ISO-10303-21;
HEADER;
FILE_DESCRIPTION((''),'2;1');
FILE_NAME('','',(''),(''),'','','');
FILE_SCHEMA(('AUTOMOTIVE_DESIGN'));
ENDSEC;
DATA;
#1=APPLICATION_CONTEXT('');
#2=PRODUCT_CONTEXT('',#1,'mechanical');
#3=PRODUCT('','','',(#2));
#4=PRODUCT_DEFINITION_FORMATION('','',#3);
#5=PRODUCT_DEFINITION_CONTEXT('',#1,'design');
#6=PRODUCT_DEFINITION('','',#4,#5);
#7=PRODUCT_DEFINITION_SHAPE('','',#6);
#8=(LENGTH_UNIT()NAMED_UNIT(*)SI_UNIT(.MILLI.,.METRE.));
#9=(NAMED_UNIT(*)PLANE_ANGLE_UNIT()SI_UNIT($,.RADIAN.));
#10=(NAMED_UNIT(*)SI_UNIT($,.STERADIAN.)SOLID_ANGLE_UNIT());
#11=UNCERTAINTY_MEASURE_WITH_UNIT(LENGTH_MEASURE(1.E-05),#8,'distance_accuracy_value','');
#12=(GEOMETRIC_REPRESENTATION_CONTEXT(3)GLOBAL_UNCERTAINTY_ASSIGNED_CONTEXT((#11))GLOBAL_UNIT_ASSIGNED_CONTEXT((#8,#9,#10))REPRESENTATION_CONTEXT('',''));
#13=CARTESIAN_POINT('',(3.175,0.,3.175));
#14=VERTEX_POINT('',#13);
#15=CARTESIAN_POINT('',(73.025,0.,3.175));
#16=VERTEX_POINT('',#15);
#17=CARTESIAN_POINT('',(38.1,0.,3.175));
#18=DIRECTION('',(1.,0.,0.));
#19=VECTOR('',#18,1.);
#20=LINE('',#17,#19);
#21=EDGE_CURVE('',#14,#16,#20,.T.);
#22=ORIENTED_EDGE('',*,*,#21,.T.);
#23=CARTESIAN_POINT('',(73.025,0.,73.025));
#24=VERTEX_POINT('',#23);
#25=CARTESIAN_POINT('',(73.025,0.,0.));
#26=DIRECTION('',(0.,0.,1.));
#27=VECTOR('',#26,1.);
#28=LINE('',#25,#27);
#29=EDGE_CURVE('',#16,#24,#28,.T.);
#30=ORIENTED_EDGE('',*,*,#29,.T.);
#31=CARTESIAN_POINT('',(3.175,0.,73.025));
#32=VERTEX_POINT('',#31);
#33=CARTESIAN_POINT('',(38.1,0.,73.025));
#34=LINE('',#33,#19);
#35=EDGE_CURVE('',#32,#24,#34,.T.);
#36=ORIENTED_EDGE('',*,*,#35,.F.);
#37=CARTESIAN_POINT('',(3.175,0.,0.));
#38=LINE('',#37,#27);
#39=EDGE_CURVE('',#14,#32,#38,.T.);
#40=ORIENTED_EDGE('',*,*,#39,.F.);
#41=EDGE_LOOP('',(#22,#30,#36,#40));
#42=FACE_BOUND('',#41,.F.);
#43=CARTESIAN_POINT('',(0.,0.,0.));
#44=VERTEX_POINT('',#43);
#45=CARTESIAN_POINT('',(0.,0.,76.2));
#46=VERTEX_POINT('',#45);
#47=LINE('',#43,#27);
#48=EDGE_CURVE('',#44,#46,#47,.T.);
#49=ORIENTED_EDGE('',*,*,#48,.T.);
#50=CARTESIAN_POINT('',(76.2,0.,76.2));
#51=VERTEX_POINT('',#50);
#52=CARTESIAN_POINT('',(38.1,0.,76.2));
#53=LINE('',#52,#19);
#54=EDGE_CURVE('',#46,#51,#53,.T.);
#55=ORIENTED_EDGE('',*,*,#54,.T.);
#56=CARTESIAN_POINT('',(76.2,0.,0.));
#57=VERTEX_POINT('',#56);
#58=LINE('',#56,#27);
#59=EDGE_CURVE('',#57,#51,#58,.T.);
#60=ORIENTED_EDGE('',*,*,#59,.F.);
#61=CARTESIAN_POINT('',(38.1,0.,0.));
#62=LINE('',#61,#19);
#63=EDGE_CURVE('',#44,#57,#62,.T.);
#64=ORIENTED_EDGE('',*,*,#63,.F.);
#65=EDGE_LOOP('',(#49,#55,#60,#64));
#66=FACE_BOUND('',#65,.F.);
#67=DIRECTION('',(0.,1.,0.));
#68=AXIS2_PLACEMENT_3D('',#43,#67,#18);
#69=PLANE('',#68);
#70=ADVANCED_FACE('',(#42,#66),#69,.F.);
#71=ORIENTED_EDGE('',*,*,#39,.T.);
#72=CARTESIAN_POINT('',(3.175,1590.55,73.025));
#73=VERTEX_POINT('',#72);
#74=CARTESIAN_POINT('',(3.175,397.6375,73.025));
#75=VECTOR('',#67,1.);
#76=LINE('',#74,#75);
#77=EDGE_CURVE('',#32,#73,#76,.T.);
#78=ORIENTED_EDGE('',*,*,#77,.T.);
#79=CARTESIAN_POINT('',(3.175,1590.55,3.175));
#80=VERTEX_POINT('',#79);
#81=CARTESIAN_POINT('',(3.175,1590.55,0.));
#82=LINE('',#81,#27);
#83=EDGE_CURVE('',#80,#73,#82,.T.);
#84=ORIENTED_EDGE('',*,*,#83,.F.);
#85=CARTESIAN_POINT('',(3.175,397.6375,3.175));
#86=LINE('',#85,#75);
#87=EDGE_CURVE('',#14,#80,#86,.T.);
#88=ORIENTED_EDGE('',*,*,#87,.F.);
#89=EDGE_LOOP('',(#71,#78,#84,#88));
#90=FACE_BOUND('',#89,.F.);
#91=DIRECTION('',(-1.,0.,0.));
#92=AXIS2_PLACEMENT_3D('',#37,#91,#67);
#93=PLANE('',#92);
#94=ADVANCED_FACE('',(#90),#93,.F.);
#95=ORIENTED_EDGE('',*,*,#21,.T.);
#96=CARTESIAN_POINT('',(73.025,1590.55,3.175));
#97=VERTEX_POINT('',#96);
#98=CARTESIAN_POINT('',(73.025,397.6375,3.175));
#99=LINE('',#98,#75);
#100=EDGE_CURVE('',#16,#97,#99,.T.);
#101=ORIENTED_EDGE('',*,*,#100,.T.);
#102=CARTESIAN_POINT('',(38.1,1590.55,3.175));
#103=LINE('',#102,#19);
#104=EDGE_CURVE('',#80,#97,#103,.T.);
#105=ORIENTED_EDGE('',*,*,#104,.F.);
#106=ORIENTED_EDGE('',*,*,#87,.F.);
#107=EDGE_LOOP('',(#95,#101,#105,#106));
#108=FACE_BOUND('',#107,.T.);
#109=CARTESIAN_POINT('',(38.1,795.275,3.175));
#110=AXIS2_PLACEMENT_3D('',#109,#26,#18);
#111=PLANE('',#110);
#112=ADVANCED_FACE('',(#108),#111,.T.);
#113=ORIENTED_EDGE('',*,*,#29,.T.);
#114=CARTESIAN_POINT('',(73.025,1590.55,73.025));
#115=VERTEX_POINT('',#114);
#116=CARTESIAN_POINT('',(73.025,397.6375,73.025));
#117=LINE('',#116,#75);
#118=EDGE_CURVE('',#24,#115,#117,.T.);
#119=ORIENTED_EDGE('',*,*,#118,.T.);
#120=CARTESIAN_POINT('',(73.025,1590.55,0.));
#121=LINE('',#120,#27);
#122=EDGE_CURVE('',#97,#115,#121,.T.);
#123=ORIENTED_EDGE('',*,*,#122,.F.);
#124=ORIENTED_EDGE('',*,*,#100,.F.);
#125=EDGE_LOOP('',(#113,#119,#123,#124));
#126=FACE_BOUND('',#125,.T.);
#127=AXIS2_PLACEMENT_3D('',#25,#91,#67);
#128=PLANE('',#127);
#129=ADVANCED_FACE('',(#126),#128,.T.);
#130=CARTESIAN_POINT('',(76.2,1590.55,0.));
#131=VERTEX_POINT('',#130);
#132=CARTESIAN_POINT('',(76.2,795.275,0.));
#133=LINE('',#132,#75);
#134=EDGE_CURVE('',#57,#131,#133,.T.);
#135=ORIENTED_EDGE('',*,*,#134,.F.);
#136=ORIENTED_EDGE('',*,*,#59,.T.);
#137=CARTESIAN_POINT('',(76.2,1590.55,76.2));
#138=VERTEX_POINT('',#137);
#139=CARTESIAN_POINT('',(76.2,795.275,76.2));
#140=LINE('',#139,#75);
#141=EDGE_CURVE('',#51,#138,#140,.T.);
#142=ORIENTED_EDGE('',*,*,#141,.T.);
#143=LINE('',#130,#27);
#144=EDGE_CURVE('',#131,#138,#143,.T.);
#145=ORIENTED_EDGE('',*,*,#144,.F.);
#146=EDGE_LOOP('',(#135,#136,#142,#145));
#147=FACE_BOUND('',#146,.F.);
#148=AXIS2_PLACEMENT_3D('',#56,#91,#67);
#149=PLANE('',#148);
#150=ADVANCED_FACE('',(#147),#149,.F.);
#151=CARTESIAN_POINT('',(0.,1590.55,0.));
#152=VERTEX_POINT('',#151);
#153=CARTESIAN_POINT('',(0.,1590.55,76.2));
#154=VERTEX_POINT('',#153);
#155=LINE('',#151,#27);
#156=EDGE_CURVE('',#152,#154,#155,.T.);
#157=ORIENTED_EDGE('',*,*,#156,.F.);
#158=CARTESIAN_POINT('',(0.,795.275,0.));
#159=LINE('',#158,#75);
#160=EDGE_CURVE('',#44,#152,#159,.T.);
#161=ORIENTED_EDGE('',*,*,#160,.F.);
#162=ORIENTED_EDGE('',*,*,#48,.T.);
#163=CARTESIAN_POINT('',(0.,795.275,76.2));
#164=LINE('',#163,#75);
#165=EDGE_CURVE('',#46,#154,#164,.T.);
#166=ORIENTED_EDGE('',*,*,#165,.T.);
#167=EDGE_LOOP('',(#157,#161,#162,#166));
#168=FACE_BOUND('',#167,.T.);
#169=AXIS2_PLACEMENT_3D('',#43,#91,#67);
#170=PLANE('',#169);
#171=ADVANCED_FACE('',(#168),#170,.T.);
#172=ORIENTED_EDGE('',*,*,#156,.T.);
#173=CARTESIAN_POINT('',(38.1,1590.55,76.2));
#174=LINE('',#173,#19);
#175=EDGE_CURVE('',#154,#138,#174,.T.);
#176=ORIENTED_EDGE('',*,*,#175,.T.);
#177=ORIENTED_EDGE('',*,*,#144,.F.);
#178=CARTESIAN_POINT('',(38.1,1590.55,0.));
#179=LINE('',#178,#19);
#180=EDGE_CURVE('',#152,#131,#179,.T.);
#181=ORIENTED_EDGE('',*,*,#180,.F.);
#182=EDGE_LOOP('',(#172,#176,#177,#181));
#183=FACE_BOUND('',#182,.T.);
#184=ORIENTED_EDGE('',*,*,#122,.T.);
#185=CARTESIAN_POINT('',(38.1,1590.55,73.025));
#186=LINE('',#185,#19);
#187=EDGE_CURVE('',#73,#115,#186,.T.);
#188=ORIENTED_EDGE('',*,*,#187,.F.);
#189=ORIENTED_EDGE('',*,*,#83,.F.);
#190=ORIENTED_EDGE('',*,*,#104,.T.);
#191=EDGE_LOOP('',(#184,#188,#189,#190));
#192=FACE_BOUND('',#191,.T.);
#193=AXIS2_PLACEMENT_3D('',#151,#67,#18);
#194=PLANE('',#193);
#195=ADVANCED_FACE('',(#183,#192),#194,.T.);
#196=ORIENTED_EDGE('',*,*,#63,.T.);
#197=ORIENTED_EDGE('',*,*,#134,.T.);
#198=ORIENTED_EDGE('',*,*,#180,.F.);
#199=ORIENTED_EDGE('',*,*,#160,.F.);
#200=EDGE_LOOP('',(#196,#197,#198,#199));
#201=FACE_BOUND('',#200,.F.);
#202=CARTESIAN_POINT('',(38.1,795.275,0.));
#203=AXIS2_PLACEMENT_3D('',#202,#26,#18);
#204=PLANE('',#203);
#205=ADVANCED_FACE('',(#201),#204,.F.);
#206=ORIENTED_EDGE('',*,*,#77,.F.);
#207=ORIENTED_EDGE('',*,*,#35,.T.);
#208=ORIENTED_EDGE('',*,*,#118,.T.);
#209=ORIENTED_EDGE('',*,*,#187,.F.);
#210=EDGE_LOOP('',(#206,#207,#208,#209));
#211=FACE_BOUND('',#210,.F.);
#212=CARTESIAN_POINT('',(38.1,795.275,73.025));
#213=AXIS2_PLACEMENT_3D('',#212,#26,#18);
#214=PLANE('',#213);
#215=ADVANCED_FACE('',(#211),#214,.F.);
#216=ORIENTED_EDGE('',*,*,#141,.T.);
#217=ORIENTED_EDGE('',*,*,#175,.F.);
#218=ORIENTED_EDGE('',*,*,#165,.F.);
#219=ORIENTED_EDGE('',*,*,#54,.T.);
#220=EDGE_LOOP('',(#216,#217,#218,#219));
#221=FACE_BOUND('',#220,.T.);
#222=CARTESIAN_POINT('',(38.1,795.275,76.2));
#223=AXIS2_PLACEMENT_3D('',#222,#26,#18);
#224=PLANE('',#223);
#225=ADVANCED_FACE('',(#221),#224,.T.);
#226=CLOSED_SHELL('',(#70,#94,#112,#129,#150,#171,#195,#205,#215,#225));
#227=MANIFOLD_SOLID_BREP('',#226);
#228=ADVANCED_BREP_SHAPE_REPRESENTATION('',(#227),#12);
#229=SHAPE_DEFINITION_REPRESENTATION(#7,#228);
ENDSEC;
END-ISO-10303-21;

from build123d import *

# Parameters (mm, degrees)
BOX_W       = 76.2
BOX_H       = 1590.55
BOX_DEPTH   = 76.2
THICKNESS_T = -3.175


with BuildPart() as part:
    # Box → Box (new body)
    with BuildSketch(Plane.XY):
        with Locations((38.1, 795.275)):
            Rectangle(BOX_W, BOX_H)
    extrude(amount=BOX_DEPTH)

    # Thickness
    thickness_openings = [part.faces().sort_by_distance(p)[0] for p in [
        (38.1, 0, 38.1),
        (38.1, 1590.55, 38.1),
    ]]
    offset(amount=THICKNESS_T, openings=thickness_openings)


solid = part.part
